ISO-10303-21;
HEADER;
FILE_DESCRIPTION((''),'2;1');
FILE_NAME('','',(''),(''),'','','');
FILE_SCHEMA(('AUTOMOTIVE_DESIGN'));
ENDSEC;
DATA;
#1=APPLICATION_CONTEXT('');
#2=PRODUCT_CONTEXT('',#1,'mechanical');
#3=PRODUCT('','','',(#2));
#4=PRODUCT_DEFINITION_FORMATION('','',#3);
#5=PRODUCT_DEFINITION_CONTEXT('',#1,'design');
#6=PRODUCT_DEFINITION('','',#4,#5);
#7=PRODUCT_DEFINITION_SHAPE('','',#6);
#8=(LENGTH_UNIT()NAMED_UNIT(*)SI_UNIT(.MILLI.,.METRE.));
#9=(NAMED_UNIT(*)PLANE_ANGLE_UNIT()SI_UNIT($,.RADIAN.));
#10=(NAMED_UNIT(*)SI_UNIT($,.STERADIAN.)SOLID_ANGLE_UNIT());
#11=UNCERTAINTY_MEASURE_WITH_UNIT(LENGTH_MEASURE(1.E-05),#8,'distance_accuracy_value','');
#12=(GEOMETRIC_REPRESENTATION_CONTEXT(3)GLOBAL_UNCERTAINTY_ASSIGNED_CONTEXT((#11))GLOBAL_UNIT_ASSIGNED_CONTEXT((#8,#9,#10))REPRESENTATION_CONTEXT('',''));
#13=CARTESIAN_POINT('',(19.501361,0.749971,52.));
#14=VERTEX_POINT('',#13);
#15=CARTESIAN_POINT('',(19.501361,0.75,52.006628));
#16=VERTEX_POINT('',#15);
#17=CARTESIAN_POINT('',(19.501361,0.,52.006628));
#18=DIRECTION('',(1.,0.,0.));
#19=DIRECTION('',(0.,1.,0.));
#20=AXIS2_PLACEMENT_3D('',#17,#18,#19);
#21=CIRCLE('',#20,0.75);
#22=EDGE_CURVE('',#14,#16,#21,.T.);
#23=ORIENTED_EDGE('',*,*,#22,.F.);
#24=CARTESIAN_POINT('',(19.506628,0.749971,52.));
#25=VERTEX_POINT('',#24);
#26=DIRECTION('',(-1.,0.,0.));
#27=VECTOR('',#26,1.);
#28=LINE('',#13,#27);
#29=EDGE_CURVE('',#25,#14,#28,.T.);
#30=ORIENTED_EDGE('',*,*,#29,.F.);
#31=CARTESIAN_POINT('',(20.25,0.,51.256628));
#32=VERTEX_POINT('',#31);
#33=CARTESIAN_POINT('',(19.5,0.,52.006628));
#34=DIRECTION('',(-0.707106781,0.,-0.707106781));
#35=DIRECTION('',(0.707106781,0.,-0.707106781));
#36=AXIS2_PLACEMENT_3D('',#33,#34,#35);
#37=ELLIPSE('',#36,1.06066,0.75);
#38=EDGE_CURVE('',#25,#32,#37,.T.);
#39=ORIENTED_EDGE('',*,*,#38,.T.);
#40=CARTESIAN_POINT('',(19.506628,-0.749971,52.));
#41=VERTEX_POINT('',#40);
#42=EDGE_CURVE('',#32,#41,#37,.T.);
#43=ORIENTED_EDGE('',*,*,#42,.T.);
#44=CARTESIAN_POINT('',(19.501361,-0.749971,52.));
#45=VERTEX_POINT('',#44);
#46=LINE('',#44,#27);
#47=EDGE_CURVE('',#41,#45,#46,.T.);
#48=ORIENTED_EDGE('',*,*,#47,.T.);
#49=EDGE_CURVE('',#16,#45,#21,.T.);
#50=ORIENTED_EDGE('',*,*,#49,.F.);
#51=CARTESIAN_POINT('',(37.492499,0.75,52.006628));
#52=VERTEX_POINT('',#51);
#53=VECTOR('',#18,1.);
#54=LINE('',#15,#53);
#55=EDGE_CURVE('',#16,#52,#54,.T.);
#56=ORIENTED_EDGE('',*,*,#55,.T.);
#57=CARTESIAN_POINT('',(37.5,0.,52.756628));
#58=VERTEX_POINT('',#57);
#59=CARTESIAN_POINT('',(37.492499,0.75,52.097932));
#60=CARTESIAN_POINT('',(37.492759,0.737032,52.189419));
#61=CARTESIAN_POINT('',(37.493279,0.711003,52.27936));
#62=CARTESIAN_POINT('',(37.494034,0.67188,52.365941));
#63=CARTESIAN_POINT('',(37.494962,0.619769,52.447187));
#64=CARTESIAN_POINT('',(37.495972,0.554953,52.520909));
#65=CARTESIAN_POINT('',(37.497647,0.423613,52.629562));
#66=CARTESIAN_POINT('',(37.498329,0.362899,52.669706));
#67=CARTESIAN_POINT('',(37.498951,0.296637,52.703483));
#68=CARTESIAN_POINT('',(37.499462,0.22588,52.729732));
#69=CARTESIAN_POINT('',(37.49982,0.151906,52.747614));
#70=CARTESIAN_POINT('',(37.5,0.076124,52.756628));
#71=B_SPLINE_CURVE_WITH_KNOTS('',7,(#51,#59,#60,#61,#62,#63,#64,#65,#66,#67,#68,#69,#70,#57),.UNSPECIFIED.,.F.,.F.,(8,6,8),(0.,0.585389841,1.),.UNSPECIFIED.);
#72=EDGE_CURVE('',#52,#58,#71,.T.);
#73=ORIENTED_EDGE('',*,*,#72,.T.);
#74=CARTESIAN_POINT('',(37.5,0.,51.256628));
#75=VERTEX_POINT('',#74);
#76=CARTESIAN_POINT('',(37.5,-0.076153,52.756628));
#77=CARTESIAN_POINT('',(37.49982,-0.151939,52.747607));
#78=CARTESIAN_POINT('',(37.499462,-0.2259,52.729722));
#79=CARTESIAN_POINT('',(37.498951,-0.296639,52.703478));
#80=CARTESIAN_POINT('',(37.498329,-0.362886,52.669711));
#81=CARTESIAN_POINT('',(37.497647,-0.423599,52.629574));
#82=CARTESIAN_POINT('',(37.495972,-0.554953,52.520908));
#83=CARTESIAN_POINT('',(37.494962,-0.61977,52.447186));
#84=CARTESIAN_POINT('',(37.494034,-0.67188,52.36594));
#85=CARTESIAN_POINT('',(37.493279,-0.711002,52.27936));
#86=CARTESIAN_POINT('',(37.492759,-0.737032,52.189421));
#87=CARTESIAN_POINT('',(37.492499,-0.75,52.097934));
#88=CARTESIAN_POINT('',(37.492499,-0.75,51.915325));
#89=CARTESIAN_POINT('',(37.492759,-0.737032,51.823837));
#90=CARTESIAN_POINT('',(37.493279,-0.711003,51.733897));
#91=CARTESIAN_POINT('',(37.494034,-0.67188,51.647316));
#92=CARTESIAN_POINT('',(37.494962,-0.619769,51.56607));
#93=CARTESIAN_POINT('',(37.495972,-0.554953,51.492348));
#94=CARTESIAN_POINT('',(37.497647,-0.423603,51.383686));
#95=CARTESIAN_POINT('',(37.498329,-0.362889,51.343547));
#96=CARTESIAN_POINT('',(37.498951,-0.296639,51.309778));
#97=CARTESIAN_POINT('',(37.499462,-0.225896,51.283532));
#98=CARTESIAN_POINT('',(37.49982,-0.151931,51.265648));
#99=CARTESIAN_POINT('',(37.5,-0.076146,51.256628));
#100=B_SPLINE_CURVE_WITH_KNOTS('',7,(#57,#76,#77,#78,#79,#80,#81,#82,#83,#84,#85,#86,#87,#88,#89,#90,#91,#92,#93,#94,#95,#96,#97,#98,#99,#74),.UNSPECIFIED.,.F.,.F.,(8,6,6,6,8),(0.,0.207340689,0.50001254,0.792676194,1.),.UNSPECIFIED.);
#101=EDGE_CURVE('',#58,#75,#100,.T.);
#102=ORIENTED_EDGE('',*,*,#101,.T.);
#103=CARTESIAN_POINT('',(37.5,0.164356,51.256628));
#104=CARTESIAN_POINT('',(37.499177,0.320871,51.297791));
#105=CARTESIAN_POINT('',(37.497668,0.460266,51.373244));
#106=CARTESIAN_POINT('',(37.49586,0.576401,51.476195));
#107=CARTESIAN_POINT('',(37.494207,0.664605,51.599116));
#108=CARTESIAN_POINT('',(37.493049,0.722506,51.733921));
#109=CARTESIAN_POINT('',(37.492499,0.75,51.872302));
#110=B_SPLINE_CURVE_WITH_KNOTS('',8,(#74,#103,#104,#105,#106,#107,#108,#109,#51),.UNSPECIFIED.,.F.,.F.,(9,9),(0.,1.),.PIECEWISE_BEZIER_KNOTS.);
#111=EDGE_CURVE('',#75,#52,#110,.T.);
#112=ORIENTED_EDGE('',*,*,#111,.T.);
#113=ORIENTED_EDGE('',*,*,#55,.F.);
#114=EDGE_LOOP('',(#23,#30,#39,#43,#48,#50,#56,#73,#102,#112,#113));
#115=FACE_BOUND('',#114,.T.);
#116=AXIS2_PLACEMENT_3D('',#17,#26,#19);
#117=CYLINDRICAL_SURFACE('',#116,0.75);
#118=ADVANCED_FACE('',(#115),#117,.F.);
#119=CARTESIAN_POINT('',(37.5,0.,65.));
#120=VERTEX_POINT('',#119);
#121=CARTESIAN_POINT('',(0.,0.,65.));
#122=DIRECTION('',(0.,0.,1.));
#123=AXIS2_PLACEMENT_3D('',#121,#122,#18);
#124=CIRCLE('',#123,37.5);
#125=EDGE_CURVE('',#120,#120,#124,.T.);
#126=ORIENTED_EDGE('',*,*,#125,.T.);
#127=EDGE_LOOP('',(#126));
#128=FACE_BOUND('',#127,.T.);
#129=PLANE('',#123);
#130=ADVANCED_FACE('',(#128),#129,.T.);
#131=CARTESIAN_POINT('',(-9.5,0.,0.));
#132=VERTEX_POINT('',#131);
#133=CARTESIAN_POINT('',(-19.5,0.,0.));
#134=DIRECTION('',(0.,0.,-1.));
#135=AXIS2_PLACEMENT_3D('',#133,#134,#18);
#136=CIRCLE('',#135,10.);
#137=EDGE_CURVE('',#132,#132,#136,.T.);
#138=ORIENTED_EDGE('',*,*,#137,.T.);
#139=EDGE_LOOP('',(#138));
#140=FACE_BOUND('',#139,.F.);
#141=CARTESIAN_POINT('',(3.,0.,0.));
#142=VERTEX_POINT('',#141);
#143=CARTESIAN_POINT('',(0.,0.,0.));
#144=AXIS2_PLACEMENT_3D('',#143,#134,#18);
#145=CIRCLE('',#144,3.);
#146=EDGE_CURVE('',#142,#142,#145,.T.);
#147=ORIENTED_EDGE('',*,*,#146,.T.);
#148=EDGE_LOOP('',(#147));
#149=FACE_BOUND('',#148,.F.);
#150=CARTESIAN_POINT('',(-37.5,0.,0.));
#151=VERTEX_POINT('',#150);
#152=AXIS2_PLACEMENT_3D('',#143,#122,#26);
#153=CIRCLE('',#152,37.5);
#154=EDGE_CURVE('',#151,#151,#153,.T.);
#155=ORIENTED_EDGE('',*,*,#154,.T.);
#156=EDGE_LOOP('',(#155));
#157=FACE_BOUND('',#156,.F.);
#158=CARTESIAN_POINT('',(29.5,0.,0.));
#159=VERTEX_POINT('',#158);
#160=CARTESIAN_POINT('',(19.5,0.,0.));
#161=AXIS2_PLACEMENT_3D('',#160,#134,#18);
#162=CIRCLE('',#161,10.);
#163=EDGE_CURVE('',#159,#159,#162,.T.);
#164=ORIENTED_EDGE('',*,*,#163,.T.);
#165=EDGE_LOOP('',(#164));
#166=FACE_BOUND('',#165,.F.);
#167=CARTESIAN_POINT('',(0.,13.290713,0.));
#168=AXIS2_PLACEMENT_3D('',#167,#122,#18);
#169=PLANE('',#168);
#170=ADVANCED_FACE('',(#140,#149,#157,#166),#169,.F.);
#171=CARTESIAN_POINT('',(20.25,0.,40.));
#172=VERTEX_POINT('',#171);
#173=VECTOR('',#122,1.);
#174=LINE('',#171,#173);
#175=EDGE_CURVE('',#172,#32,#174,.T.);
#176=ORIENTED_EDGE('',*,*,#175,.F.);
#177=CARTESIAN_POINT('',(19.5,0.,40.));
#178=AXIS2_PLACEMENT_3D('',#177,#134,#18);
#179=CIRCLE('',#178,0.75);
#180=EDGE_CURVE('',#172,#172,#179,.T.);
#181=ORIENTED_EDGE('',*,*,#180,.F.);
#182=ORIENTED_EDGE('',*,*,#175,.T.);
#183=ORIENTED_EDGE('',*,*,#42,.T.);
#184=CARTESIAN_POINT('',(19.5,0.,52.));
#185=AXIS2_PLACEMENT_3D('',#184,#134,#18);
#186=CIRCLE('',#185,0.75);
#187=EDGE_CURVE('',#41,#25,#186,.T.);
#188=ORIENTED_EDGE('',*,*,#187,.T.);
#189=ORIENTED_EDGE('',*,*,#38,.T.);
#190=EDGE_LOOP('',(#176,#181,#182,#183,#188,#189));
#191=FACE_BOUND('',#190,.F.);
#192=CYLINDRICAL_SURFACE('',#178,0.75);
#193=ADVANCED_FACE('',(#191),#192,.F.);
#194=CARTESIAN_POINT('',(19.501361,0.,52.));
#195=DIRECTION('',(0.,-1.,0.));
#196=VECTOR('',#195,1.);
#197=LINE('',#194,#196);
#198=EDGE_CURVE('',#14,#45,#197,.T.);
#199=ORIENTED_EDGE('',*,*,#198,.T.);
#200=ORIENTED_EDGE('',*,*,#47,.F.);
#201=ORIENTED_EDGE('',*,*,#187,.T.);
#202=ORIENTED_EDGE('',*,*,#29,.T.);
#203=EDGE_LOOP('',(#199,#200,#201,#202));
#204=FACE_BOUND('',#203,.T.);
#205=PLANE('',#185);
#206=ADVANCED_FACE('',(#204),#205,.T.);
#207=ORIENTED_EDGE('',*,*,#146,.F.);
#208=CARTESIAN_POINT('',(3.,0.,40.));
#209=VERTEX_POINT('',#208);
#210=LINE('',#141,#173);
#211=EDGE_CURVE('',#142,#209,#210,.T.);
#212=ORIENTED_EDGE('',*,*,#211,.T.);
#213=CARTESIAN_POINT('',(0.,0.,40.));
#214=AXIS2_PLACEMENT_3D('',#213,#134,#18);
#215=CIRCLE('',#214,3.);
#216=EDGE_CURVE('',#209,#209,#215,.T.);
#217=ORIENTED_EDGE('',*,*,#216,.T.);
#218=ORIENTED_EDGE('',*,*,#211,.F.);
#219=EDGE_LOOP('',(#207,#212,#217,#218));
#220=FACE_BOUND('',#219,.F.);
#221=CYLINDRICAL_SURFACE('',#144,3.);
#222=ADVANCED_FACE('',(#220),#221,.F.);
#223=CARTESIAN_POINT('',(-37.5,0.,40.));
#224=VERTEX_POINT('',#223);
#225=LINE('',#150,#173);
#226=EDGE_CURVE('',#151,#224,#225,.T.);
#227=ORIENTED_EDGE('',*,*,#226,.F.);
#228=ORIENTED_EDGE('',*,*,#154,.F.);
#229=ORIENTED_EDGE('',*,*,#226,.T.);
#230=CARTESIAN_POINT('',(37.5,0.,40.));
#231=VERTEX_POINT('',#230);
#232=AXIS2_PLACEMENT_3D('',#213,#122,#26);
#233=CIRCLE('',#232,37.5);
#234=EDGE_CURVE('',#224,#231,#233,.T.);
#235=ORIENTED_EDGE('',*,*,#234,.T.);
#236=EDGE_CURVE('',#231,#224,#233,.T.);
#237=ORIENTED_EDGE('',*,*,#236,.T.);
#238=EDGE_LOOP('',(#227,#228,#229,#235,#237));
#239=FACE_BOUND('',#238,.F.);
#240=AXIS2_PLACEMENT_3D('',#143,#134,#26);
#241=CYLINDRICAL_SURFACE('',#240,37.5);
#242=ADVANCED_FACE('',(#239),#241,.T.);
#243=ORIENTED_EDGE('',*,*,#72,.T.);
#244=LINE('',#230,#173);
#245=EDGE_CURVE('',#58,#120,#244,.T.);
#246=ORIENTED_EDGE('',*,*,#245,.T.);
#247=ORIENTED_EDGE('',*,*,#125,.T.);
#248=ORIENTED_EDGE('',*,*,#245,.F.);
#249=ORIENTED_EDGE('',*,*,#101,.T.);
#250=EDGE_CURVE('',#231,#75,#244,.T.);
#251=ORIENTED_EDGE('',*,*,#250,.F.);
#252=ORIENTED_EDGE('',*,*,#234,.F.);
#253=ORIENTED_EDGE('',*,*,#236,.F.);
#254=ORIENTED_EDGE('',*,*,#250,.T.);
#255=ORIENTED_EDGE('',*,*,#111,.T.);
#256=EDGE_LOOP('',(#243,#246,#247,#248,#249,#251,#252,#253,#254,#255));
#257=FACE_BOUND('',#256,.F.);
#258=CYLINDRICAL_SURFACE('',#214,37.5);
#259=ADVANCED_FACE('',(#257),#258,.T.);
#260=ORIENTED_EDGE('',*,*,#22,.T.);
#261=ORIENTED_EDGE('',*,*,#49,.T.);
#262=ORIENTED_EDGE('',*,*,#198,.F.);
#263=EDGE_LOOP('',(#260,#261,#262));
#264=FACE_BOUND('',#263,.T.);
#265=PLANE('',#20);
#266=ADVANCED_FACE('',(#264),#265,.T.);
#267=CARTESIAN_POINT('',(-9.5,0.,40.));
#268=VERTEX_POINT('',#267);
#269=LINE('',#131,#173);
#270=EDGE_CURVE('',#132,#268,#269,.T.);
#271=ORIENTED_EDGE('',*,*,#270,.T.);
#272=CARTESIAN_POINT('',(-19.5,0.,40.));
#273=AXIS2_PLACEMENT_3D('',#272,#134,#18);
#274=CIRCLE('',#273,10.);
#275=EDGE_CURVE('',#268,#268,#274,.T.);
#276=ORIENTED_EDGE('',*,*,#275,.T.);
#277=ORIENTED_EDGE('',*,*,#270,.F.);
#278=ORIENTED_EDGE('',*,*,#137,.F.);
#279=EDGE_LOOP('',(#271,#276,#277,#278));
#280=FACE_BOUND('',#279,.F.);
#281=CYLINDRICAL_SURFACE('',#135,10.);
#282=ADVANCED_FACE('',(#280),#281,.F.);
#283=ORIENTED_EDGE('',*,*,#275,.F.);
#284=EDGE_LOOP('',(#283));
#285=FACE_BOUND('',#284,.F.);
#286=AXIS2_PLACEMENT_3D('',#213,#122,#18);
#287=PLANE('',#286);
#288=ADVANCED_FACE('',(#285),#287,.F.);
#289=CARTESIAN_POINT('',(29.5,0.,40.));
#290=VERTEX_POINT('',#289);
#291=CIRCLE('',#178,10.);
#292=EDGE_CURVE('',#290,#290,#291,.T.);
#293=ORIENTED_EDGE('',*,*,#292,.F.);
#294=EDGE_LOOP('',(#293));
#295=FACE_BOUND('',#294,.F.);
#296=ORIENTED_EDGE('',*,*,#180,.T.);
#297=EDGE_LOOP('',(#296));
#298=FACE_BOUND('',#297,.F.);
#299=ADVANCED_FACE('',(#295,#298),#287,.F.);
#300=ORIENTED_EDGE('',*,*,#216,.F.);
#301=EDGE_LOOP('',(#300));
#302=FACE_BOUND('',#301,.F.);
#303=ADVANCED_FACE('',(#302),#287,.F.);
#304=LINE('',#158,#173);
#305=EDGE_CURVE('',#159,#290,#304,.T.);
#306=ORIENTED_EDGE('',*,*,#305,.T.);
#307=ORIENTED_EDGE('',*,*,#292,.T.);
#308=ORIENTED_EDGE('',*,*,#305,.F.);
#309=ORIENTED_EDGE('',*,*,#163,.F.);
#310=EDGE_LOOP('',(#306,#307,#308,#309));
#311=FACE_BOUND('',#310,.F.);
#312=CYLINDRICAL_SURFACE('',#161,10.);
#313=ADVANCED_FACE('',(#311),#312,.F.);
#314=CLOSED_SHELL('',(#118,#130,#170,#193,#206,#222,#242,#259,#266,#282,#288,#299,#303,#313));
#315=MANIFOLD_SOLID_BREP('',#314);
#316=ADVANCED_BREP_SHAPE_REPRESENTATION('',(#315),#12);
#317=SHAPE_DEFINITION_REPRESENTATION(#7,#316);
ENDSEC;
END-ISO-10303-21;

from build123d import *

# Parameters (mm, degrees)
F1_DEPTH  = 40
F2_R      = 37.5
F3_DEPTH  = 25
F4_R      = 0.75
F5_DEPTH  = 12
F10_R     = 0.75
F11_DEPTH = 17.9996390248


with BuildPart() as f1:
    # F0 (on Top) → F1 (new body)
    with BuildSketch(Plane.XY):
        with BuildLine():
            Line((29.5, 0), (37.5, 0))
            ThreePointArc((37.5, 0), (0, 37.5), (-37.5, 0))
            Line((-37.5, 0), (-29.5, 0))
            ThreePointArc((-29.5, 0), (-19.5, 10), (-9.5, 0))
            Line((-9.5, 0), (-3, 0))
            ThreePointArc((-3, 0), (0, 3), (3, 0))
            Line((3, 0), (9.5, 0))
            ThreePointArc((9.5, 0), (19.5, 10), (29.5, 0))
        make_face()
        with BuildLine():
            ThreePointArc((-37.5, 0), (0, -37.5), (37.5, 0))
            Line((37.5, 0), (29.5, 0))
            ThreePointArc((29.5, 0), (19.5, -10), (9.5, 0))
            Line((9.5, 0), (3, 0))
            ThreePointArc((3, 0), (0, -3), (-3, 0))
            Line((-3, 0), (-9.5, 0))
            ThreePointArc((-9.5, 0), (-19.5, -10), (-29.5, 0))
            Line((-29.5, 0), (-37.5, 0))
        make_face()
    extrude(amount=F1_DEPTH)

    # F2 (on face) → F3 (join)
    with BuildSketch(Plane.XY.offset(40)):
        Circle(F2_R)
    extrude(amount=F3_DEPTH)

    # F4 (on face) → F5 (cut)
    with BuildSketch(Plane(origin=(0, 0, 40), x_dir=(1, 0, 0), z_dir=(0, 0, -1))):
        with Locations((19.5, 0)):
            Circle(F4_R)
    extrude(amount=-F5_DEPTH, mode=Mode.SUBTRACT)

    # F10 (on plane+point) → F11 (cut, through all)
    with BuildSketch(Plane.YZ.offset(19.5013609752)):
        with Locations((0, 52.0066283643)):
            Circle(F10_R)
    extrude(amount=F11_DEPTH, mode=Mode.SUBTRACT)


solid = f1.part
